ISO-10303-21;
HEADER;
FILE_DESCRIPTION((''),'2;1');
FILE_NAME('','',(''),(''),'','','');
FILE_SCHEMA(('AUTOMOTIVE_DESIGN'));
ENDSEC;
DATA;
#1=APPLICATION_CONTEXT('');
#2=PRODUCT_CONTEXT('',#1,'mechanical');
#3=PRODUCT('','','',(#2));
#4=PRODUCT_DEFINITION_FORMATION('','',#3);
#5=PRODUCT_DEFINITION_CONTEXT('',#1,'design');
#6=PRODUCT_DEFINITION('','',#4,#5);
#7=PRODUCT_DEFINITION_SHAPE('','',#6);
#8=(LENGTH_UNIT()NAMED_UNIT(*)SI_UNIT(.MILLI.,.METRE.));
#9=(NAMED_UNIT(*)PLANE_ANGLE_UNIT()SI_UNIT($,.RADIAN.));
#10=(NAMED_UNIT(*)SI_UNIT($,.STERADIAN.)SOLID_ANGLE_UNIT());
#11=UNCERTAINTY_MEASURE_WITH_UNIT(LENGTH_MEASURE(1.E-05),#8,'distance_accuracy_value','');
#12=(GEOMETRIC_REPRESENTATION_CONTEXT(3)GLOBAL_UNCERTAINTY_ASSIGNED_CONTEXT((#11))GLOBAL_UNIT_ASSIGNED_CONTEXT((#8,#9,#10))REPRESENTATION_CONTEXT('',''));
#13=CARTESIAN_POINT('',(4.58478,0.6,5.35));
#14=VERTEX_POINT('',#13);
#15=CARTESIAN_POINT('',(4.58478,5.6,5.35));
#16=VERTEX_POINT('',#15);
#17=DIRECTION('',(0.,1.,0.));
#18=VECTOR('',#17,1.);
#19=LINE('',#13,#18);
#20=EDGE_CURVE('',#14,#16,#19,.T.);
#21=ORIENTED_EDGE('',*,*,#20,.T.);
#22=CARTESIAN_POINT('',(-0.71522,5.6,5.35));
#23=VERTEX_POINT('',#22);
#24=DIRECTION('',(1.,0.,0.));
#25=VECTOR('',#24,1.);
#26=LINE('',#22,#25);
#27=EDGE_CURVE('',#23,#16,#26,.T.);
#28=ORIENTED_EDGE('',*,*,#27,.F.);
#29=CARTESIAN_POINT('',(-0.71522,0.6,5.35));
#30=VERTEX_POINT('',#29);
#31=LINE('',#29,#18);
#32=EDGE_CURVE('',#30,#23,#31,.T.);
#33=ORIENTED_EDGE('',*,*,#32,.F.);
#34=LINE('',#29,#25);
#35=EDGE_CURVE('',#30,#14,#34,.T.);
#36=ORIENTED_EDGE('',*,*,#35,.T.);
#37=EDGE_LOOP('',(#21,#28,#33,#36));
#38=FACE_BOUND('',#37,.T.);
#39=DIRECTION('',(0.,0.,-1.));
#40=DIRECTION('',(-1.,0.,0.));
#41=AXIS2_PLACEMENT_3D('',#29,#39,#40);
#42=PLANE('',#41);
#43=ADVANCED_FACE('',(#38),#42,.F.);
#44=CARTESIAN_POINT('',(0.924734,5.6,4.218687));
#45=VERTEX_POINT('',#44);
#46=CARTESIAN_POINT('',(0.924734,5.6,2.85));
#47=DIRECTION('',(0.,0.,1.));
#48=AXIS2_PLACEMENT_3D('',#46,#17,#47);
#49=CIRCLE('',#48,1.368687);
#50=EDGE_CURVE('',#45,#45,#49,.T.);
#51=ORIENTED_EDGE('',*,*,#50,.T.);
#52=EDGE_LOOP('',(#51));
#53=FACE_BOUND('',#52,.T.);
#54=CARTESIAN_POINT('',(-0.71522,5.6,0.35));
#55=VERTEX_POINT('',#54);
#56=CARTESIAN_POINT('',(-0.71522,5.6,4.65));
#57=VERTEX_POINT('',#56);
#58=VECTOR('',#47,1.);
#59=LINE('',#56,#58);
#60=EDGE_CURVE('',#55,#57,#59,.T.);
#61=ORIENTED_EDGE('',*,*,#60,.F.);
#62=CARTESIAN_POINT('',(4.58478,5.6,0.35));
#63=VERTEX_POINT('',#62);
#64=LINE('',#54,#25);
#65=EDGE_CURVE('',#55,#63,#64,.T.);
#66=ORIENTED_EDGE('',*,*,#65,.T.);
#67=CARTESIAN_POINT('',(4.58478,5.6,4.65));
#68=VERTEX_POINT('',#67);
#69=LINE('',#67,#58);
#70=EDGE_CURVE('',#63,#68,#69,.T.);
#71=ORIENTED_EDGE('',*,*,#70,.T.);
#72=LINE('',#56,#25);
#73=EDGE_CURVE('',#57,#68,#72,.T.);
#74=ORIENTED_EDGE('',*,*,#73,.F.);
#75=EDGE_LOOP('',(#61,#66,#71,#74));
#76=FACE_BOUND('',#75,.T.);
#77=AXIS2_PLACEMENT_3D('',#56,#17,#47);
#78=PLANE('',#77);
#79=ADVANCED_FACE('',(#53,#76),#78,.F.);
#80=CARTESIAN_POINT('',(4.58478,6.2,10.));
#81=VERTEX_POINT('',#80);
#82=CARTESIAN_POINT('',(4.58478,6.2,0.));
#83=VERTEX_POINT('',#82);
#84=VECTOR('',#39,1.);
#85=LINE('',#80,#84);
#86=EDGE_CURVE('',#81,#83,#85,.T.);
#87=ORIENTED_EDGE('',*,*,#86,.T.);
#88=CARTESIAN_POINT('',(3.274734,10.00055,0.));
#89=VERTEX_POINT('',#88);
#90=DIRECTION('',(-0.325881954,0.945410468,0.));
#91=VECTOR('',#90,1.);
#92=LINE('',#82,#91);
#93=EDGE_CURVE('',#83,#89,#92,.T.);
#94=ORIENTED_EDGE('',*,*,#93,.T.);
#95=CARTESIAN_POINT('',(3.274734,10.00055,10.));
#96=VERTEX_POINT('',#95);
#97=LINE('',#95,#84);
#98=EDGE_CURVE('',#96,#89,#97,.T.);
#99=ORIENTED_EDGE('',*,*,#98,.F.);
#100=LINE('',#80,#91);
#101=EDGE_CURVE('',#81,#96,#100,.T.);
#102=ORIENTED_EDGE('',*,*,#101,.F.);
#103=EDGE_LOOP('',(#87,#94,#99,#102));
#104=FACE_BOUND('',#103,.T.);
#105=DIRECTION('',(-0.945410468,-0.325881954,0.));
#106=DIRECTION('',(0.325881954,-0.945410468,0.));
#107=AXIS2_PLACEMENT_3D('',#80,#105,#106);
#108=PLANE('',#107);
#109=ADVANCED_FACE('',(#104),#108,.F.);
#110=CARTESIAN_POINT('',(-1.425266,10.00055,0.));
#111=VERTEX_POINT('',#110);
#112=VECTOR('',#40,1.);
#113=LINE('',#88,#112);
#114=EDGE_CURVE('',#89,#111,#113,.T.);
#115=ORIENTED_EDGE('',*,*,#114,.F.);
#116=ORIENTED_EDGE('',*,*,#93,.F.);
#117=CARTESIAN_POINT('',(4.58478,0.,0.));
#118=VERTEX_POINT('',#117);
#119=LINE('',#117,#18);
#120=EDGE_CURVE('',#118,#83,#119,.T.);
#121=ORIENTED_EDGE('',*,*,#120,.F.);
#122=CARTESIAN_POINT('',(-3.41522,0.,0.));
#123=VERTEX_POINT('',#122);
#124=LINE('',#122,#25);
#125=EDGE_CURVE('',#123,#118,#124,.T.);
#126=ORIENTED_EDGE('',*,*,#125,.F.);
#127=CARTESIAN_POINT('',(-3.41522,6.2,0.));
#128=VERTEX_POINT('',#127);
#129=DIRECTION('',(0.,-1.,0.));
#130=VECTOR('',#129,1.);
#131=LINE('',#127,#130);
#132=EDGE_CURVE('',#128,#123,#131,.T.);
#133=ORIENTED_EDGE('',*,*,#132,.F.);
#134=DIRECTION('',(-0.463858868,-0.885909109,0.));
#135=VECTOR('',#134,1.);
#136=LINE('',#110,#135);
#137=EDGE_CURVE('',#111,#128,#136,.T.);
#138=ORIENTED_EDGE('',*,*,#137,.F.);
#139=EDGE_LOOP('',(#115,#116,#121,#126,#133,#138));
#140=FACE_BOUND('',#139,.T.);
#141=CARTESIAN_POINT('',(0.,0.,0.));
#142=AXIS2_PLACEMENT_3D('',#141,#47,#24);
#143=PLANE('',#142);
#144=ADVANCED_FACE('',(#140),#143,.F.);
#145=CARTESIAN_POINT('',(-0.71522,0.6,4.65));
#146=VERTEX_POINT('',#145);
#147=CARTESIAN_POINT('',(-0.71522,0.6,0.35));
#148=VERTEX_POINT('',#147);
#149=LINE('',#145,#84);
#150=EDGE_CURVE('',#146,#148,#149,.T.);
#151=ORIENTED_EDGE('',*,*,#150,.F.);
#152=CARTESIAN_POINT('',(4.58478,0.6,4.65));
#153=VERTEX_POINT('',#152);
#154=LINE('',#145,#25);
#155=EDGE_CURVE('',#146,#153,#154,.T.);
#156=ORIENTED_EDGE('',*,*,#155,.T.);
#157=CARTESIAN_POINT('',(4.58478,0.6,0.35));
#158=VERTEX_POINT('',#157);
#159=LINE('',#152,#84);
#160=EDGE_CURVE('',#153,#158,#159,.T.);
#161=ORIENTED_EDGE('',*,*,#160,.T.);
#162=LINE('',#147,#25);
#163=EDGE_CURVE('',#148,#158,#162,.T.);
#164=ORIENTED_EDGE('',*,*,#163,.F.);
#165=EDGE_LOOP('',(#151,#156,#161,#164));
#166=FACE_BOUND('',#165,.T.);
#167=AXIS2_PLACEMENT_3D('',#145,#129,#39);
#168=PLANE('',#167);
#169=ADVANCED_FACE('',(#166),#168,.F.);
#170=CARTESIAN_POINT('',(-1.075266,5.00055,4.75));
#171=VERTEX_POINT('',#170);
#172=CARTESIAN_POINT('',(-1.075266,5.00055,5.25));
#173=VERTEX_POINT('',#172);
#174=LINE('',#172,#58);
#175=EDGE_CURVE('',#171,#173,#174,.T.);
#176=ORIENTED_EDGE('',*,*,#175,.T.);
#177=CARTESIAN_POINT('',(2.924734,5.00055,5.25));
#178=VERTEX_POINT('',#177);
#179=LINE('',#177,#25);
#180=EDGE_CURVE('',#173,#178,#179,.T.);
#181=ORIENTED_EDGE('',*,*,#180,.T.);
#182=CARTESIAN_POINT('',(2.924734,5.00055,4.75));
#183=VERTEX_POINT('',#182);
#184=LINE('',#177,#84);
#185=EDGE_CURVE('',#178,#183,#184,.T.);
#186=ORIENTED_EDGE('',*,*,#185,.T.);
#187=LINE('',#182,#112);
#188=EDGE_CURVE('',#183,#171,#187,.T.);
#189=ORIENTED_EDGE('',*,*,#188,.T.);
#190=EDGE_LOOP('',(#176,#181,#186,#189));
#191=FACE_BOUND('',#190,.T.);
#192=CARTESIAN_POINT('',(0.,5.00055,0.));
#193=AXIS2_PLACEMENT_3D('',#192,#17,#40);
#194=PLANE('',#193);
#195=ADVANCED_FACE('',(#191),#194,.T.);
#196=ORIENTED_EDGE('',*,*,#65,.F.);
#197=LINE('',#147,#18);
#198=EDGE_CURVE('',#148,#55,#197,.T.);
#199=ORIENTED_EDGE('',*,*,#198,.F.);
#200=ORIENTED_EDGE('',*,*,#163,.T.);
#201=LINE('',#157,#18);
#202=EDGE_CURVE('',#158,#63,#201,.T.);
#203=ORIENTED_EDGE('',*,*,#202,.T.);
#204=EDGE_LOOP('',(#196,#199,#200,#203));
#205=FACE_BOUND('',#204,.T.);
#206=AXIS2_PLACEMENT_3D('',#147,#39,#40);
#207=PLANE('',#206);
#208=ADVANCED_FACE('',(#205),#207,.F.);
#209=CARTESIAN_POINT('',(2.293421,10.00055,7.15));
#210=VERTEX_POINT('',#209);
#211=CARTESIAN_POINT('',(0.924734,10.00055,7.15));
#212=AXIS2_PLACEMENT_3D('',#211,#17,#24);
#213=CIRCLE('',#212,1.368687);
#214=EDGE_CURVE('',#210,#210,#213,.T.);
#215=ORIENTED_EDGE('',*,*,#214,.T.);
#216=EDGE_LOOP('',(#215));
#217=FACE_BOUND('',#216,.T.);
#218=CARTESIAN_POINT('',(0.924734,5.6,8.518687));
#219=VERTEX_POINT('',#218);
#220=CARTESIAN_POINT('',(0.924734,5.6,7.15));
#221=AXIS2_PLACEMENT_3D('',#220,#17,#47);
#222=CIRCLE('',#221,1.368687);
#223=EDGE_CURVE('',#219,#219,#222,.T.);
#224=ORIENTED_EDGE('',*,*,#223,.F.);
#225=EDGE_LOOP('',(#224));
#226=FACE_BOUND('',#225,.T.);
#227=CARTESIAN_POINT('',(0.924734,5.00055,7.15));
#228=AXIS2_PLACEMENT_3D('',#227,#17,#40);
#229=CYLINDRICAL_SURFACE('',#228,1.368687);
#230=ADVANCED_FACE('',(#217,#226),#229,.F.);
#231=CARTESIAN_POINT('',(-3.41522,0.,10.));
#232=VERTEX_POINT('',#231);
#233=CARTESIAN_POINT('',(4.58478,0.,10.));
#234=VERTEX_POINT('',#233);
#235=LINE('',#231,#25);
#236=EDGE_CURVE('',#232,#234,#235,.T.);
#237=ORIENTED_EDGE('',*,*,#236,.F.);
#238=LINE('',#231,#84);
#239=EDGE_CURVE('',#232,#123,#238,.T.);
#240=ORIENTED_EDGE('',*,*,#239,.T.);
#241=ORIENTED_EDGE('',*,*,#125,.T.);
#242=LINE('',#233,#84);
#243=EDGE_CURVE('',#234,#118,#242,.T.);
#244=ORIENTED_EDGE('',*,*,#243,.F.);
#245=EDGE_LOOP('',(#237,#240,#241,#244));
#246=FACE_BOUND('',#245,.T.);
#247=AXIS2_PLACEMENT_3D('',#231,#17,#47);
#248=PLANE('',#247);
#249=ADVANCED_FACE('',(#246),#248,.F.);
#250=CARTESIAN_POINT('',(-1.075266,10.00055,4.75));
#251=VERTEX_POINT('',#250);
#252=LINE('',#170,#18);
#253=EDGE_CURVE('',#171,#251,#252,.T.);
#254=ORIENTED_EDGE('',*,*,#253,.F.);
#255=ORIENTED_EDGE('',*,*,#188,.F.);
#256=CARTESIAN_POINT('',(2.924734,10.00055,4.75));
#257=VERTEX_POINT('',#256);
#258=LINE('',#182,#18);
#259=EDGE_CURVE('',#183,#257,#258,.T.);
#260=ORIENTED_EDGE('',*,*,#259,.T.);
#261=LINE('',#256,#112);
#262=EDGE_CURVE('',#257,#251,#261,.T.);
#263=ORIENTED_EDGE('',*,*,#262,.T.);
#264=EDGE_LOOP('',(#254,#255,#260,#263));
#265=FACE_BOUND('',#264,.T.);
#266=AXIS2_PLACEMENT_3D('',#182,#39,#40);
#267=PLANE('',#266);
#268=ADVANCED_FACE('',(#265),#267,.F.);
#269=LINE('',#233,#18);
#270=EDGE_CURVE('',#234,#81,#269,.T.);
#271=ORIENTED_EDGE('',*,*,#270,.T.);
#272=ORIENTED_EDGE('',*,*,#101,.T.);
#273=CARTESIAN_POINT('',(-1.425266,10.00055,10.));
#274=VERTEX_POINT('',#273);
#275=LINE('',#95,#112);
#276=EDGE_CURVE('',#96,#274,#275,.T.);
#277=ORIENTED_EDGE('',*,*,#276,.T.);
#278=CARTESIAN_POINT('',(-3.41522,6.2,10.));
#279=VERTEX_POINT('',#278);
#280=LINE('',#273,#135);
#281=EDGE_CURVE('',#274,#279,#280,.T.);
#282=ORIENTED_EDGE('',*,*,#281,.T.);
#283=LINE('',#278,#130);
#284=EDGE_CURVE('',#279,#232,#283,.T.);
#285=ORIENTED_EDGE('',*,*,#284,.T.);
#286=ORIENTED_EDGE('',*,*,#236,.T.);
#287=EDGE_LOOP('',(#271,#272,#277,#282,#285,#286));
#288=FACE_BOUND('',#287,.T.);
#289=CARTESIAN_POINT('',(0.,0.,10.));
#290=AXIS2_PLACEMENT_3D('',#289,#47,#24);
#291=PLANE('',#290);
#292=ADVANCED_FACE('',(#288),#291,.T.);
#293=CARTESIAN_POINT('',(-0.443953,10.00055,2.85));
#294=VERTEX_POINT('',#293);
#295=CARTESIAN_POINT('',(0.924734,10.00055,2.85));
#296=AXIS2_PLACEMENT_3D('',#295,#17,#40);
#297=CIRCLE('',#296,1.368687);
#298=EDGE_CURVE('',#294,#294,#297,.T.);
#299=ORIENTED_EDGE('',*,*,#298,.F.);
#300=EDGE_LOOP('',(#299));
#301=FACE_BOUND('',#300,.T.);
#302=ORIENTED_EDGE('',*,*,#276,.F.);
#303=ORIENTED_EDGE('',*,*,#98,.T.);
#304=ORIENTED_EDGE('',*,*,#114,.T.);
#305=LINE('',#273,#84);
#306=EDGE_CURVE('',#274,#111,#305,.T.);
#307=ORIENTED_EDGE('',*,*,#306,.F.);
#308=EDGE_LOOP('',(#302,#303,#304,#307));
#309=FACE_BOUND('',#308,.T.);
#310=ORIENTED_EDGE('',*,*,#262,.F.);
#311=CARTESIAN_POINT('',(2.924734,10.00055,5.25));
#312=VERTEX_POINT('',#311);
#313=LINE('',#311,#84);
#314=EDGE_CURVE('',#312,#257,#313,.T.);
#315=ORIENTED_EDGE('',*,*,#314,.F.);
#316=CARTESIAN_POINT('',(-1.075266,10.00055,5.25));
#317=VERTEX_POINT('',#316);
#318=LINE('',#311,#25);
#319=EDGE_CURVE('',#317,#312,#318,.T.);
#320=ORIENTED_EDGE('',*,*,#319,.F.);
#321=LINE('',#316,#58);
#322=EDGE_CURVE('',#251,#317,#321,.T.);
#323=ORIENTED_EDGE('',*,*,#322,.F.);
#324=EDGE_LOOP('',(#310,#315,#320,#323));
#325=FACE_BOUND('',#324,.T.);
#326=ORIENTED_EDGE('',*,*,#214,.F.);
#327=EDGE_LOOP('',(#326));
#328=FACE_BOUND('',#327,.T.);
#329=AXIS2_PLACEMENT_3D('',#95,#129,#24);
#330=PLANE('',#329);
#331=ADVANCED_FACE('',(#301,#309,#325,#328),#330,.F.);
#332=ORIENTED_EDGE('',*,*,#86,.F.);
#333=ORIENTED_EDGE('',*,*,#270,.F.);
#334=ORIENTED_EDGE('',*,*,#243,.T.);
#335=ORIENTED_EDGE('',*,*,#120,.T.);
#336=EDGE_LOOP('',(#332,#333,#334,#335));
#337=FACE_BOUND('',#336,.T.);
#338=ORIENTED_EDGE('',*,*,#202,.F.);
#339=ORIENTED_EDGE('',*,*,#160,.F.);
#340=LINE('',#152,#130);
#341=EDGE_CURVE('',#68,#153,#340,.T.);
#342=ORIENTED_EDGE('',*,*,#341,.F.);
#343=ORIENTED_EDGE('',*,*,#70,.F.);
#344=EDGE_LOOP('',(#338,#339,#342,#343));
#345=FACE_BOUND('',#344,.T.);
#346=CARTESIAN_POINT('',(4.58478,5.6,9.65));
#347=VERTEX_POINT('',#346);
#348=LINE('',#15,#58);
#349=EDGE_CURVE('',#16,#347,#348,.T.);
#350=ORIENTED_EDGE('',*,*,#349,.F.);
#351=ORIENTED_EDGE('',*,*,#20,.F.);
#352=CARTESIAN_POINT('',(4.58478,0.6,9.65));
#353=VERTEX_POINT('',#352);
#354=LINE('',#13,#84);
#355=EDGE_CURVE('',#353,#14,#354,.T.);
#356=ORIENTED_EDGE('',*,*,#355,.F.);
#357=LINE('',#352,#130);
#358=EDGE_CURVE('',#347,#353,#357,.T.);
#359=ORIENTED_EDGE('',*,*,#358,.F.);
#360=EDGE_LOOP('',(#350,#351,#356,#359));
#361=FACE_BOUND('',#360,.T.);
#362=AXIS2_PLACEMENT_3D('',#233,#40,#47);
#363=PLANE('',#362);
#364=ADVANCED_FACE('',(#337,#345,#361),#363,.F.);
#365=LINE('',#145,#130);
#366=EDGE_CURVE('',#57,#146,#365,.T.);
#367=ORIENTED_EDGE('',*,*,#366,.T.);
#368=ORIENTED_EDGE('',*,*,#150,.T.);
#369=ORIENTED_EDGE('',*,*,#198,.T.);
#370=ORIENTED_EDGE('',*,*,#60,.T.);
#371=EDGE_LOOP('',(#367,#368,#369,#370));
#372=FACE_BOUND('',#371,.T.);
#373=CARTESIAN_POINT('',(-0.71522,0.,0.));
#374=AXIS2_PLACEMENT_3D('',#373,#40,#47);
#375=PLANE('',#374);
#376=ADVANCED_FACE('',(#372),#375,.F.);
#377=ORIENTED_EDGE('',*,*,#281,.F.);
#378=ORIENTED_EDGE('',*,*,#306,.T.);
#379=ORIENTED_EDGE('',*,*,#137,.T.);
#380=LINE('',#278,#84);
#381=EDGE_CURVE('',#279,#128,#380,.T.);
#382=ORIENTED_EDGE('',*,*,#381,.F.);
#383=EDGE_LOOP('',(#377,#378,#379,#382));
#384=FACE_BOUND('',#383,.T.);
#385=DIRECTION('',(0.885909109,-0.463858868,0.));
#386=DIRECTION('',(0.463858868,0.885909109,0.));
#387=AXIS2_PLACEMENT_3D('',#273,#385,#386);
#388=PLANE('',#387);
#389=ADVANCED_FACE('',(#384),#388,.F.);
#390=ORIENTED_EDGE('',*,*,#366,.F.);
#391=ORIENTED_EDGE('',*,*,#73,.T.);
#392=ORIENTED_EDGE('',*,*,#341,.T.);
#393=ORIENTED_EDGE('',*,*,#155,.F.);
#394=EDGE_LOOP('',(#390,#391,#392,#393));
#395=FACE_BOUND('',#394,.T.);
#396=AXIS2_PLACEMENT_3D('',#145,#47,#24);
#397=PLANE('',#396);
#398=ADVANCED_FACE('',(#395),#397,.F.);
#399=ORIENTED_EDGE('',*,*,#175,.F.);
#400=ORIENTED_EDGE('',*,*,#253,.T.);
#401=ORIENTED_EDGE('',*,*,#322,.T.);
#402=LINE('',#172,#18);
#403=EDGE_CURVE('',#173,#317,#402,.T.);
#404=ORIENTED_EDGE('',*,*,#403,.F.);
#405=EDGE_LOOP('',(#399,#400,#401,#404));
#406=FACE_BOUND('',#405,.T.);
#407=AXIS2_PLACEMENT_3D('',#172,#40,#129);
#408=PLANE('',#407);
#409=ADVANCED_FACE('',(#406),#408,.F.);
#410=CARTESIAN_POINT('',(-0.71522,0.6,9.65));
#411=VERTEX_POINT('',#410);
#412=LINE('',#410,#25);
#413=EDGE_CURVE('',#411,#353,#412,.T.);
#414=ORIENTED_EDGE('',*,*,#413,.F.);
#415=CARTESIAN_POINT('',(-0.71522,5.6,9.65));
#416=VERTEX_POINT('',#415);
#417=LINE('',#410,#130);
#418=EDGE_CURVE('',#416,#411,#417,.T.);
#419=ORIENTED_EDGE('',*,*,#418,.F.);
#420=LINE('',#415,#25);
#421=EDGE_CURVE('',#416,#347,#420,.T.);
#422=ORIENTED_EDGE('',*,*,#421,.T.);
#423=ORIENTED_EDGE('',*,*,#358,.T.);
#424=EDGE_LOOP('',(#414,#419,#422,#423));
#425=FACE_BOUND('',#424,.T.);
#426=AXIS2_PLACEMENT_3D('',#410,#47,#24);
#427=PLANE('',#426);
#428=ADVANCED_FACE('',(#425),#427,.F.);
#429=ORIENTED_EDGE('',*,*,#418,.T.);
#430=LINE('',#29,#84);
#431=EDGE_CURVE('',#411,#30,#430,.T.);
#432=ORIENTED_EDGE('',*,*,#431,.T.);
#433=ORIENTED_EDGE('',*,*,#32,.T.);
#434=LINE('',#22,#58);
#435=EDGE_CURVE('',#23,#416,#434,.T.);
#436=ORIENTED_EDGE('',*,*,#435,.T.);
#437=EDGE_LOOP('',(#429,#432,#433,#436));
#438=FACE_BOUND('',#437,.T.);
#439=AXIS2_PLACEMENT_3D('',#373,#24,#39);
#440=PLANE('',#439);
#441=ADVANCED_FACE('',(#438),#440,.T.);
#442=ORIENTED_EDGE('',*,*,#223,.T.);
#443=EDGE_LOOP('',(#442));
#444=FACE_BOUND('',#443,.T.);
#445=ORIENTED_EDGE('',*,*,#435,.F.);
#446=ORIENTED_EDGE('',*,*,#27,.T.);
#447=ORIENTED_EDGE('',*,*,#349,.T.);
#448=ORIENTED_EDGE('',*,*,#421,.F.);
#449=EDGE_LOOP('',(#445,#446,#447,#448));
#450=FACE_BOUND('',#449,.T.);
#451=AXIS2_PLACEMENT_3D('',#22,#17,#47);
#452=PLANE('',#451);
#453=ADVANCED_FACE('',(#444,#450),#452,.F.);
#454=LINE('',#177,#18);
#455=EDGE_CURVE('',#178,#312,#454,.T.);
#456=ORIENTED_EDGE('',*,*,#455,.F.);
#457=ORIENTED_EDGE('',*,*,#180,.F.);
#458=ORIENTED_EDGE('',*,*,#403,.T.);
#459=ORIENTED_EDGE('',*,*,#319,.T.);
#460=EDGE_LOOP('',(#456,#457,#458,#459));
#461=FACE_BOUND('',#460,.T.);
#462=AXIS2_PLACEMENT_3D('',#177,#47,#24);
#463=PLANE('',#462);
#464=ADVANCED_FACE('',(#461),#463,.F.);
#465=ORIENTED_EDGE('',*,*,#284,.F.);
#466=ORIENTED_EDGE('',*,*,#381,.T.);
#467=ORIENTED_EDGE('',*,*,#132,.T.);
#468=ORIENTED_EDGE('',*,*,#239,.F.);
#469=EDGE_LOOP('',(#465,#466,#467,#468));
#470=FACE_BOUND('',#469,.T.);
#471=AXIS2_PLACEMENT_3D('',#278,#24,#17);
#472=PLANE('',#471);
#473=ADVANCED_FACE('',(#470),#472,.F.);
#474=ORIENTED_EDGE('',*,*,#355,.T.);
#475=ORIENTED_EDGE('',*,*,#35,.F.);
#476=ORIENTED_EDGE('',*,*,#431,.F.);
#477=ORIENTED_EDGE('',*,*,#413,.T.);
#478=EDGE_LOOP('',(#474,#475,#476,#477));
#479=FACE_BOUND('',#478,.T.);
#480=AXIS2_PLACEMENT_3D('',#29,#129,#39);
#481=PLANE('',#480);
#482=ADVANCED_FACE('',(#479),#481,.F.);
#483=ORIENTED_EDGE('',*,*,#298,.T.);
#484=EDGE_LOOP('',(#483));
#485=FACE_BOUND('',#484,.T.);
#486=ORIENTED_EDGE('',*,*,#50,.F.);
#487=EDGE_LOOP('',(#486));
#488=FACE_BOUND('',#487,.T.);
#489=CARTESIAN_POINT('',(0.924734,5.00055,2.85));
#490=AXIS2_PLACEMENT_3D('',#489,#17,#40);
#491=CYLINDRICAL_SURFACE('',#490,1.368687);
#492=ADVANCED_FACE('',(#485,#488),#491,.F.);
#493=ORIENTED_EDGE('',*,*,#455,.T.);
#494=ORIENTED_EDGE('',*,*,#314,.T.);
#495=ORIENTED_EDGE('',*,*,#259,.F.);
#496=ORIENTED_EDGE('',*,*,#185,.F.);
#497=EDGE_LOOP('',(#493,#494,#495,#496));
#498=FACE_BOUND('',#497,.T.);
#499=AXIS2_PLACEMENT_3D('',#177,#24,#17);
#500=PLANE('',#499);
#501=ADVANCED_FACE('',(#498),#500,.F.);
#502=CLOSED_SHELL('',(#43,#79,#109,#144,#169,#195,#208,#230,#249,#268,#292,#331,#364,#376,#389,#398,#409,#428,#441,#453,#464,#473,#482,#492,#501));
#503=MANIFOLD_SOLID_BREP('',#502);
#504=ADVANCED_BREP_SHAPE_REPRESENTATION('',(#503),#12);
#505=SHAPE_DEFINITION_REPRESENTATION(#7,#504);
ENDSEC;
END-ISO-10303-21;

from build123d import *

# Parameters (mm, degrees)
BOSS_EXTRUDE1_DEPTH = 10
SKETCH2_W           = 4.3
SKETCH2_H           = 5
CUT_EXTRUDE1_DEPTH  = 5.3
SKETCH3_R           = 1.368686713
SKETCH3_W           = 4
SKETCH3_H           = 0.5
CUT_EXTRUDE2_DEPTH  = 5


with BuildPart() as part:
    # Sketch1 → Boss-Extrude1 (new body)
    with BuildSketch(Plane.XY):
        Polygon((-3.415220484, 0), (4.584779516, 0), (4.584779516, 6.2), (3.274734062, 10.00055008), (-1.425265938, 10.00055008), (-3.415220484, 6.2), align=None)
    extrude(amount=BOSS_EXTRUDE1_DEPTH)

    # Sketch2 → Cut-Extrude1 (cut)
    with BuildSketch(Plane(origin=(4.584779516, 0, 0), x_dir=(0, 0, -1), z_dir=(1, 0, 0))):
        with Locations((-7.5, 3.1)):
            Rectangle(SKETCH2_W, SKETCH2_H)
        with Locations((-2.5, 3.1)):
            Rectangle(SKETCH2_W, SKETCH2_H)
    extrude(amount=-CUT_EXTRUDE1_DEPTH, mode=Mode.SUBTRACT)

    # Sketch3 → Cut-Extrude2 (cut)
    with BuildSketch(Plane(origin=(0, 10.00055008, 0), x_dir=(1, 0, 0), z_dir=(0, 1, 0))):
        with Locations((0.924734062, -2.85)):
            Circle(SKETCH3_R)
        with Locations((0.924734062, -7.15)):
            Circle(SKETCH3_R)
        with Locations((0.924734062, -5)):
            Rectangle(SKETCH3_W, SKETCH3_H)
    extrude(amount=-CUT_EXTRUDE2_DEPTH, mode=Mode.SUBTRACT)


solid = part.part
